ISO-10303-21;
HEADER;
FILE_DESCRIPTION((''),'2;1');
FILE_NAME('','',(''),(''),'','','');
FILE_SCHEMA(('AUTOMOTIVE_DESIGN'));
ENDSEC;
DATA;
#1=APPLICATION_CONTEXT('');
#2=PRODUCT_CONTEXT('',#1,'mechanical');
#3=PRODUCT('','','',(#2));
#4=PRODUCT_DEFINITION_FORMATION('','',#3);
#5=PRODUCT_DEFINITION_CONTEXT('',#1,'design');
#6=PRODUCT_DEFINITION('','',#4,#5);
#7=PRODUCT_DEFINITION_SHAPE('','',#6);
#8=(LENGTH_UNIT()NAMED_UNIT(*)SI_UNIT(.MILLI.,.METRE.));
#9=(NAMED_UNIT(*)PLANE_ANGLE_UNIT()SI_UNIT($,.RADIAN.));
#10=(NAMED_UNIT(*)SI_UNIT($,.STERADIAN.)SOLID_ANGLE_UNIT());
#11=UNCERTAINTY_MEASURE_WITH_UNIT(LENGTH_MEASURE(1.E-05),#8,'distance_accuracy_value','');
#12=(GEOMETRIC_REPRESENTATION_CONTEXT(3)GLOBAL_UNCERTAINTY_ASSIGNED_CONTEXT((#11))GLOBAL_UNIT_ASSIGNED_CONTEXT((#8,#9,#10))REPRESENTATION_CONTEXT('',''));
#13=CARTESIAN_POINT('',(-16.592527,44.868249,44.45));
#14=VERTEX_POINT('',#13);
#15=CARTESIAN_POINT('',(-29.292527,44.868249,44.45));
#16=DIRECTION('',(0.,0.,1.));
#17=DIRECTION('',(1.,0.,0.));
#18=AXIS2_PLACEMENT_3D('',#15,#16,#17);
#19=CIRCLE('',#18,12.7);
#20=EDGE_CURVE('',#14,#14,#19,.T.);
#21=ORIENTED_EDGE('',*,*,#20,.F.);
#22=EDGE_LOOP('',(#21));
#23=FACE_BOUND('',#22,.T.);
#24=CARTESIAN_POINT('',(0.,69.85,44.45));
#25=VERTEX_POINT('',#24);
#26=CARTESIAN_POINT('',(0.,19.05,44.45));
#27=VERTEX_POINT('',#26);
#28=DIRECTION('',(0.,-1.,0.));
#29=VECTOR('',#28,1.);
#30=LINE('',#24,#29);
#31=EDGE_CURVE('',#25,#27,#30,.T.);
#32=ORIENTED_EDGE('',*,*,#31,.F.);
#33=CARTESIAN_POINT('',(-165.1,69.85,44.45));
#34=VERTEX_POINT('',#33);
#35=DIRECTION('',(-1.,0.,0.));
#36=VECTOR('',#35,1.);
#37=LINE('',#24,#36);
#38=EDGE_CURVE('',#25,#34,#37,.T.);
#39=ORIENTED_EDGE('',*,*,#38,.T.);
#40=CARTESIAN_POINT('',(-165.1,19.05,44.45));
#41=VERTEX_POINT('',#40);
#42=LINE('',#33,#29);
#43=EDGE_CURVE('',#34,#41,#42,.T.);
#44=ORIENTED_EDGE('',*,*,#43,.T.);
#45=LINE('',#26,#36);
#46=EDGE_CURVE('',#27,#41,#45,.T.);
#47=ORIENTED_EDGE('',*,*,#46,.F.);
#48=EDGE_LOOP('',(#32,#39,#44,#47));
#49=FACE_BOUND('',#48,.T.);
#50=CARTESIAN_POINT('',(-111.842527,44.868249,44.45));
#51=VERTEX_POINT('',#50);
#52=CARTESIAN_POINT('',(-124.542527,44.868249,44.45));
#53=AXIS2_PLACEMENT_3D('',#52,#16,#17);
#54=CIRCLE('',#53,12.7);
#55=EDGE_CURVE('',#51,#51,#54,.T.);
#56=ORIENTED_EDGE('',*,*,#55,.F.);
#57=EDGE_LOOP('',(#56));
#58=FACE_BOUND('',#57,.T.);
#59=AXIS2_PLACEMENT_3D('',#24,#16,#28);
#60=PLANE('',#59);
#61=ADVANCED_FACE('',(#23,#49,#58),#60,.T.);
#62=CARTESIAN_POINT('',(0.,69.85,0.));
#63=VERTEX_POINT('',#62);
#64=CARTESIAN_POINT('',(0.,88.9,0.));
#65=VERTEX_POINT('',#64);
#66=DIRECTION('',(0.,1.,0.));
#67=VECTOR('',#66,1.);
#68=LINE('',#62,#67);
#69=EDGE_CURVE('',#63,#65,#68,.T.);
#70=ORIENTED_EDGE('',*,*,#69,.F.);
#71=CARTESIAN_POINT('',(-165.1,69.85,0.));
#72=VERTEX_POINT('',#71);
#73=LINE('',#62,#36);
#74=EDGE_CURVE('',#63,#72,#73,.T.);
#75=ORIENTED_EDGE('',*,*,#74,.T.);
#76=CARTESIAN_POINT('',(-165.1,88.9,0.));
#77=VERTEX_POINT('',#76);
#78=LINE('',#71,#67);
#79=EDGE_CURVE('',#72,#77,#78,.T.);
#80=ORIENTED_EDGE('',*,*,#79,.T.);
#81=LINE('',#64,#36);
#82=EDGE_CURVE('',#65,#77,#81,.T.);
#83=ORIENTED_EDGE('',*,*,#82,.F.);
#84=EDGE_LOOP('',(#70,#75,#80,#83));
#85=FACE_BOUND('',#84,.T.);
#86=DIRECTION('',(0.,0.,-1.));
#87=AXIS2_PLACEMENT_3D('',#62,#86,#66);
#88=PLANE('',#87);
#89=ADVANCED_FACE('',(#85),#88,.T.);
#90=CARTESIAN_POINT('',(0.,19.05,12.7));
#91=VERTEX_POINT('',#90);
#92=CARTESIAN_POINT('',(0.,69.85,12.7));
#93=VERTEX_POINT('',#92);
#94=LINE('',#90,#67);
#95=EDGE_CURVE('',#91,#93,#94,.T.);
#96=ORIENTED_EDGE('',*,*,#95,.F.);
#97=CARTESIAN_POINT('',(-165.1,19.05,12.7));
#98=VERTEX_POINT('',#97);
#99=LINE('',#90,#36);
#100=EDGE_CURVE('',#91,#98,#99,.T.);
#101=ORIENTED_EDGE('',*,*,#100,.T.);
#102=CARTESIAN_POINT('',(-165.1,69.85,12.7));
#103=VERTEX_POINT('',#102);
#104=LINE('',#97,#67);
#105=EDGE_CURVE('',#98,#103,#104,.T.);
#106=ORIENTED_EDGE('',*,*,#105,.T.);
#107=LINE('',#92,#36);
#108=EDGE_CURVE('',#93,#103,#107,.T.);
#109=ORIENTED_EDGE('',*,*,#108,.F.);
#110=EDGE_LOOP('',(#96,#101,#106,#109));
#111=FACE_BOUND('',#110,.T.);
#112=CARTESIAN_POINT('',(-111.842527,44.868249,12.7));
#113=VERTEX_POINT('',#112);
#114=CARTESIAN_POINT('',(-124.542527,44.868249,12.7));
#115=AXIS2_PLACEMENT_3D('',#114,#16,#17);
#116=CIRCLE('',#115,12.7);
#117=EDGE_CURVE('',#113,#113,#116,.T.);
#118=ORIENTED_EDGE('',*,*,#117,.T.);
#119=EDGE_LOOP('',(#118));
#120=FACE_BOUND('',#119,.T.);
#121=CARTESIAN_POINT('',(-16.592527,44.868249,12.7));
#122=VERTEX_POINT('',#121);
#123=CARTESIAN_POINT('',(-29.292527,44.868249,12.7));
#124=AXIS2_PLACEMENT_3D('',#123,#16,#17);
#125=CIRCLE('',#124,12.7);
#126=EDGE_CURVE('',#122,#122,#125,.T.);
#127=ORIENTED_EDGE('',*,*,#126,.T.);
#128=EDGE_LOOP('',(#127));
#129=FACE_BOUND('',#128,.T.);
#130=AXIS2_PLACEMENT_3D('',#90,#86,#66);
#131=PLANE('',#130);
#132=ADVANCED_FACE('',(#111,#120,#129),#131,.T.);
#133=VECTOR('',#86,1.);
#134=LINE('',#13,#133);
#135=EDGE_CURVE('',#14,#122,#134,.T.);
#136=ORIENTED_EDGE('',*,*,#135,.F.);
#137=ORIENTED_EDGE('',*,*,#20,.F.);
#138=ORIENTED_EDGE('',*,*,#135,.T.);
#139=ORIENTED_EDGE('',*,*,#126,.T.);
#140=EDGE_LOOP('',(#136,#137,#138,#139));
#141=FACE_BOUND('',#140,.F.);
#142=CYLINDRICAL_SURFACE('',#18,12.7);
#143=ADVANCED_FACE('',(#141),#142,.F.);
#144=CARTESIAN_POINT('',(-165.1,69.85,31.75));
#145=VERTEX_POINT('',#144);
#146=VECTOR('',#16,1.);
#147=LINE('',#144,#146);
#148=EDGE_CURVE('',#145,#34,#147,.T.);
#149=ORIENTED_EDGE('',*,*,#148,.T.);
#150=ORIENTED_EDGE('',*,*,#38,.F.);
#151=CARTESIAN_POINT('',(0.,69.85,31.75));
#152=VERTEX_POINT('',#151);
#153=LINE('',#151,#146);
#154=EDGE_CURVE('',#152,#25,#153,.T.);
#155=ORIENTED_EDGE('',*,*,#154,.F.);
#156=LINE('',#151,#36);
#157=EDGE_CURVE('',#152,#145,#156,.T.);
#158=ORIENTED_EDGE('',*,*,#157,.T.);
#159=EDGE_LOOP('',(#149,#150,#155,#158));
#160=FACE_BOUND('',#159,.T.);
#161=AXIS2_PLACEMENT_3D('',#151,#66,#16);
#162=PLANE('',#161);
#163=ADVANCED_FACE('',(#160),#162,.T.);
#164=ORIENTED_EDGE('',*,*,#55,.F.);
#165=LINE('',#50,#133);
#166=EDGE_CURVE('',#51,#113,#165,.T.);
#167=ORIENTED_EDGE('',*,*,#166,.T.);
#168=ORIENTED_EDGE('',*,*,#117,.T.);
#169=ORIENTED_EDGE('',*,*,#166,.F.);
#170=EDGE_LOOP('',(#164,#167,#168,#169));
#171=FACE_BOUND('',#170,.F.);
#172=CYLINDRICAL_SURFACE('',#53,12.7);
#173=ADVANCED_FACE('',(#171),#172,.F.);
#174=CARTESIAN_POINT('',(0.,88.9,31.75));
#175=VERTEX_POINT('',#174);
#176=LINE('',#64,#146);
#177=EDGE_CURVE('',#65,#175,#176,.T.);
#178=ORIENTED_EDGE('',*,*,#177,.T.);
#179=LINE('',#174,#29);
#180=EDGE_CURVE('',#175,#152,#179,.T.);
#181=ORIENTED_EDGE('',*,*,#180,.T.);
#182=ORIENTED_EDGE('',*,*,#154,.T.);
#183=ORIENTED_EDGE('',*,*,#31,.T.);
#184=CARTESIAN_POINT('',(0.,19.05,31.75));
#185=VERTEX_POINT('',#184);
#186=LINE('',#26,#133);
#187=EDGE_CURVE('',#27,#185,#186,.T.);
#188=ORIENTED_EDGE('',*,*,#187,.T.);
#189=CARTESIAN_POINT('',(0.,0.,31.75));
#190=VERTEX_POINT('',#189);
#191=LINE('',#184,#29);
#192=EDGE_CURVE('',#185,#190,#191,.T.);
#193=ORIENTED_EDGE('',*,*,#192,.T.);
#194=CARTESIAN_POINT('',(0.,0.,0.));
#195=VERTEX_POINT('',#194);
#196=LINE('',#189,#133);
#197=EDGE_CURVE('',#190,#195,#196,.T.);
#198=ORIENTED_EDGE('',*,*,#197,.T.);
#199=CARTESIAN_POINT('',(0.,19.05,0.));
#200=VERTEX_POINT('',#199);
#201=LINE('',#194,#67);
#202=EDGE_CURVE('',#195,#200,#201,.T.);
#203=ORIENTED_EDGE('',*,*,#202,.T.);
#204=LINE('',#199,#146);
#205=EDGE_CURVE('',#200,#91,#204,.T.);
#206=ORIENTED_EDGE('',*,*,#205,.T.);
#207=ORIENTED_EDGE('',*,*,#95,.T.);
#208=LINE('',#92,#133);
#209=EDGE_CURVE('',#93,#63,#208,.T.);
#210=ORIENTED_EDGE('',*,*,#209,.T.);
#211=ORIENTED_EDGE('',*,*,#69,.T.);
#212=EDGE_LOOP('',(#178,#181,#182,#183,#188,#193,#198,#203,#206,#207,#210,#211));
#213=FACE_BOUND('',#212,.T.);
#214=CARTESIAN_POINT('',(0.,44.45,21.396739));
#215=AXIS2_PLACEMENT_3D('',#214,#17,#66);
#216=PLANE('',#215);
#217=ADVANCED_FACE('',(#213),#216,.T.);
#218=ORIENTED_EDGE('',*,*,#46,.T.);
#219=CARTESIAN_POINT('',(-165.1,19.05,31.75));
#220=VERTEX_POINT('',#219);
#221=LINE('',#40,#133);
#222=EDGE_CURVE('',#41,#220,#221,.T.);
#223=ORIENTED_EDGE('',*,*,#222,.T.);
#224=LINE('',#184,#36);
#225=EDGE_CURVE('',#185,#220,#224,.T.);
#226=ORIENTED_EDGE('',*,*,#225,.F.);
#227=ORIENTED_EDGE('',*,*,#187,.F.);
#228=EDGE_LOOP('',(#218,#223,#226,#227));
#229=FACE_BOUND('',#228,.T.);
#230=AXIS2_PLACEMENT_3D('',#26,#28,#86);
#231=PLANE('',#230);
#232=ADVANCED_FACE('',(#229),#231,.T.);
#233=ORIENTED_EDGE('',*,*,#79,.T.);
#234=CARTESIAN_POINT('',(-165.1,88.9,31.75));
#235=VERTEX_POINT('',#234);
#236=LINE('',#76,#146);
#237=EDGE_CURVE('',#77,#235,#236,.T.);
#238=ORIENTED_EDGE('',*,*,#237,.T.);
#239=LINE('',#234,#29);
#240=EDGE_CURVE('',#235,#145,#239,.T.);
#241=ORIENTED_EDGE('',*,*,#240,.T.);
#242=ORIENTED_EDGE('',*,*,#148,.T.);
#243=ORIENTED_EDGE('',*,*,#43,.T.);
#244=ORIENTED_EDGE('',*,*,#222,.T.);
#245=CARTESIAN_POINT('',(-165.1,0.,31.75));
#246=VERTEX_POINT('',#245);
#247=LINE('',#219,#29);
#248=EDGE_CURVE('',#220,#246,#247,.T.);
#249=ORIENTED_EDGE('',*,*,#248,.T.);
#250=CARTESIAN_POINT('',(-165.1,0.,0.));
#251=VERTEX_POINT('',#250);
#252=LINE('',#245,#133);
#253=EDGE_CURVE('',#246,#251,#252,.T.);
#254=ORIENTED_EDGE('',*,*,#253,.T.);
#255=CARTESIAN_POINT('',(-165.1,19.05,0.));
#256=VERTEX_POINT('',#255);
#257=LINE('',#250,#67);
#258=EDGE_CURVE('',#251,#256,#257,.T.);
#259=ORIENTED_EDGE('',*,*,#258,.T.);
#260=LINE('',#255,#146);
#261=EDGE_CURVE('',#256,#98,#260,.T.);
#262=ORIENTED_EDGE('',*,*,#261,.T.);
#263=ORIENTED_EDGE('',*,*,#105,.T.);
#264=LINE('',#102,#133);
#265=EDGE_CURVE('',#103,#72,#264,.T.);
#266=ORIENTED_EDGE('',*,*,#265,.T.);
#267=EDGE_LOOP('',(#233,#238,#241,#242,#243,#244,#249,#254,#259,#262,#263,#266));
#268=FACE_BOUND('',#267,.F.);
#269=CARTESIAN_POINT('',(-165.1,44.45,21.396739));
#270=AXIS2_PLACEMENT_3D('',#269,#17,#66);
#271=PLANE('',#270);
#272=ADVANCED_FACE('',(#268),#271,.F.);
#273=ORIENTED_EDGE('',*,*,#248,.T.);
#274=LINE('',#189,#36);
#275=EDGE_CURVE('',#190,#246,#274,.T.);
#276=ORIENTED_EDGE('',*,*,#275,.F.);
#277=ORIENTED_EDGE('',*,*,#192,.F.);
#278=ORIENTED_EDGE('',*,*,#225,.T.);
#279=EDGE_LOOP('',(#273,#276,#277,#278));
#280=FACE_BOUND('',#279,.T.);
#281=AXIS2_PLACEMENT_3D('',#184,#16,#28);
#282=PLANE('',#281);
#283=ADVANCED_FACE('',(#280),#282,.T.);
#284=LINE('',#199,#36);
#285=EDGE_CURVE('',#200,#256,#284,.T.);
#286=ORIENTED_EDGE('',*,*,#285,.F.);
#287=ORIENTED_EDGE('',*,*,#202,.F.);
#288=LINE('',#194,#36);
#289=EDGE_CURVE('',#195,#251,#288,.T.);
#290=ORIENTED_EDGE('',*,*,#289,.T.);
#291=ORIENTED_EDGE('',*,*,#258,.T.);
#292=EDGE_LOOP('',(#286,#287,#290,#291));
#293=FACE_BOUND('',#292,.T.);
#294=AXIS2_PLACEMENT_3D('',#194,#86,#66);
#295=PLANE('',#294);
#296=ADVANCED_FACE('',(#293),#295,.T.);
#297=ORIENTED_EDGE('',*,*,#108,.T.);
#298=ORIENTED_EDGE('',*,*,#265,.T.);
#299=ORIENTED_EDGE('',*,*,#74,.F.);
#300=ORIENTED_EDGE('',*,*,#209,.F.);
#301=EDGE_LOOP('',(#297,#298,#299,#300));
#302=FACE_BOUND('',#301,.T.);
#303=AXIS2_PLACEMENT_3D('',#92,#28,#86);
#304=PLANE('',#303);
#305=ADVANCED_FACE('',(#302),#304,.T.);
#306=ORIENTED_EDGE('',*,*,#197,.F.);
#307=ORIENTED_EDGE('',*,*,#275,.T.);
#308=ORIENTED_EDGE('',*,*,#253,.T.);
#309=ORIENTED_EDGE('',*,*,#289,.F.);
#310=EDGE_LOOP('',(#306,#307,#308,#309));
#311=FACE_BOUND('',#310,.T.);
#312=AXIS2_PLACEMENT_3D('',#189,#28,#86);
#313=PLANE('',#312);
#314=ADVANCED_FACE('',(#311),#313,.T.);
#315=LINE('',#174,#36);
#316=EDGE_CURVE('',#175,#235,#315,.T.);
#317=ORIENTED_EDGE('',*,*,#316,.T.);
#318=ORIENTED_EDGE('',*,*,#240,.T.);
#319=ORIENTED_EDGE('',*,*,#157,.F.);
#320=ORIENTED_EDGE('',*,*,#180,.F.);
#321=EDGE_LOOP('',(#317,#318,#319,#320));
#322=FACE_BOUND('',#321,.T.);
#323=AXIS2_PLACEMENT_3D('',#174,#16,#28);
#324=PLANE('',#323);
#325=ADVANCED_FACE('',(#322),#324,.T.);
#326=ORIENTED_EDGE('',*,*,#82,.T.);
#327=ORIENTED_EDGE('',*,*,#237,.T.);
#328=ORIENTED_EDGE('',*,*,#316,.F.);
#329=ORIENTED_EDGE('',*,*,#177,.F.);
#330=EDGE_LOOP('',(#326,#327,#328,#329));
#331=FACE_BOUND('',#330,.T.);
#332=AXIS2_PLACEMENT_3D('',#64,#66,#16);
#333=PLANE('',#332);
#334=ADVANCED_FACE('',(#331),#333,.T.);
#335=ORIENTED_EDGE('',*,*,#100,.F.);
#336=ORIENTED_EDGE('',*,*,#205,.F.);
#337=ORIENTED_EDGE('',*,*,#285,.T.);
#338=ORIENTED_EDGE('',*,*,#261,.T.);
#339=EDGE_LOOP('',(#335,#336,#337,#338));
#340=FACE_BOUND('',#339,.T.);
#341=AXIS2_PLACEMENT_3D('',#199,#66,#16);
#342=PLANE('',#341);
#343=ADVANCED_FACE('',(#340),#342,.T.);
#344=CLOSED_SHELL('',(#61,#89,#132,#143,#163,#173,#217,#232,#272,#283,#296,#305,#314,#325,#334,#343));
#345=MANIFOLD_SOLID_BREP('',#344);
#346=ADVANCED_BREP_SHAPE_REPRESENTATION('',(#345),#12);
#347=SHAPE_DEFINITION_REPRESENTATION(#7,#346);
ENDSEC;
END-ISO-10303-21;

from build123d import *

# Parameters (mm, degrees)
F1_DEPTH = 165.1
F3_R     = 12.7
F4_DEPTH = 101.6


with BuildPart() as f1:
    # F0 (on Right) → F1 (new body)
    with BuildSketch(Plane.YZ):
        Polygon((0, 31.75), (0, 0), (19.05, 0), (19.05, 12.7), (69.85, 12.7), (69.85, 0), (88.9, 0), (88.9, 31.75), (69.85, 31.75), (69.85, 44.45), (19.05, 44.45), (19.05, 31.75), align=None)
    extrude(amount=-F1_DEPTH)

    # F3 (on face) → F4 (cut)
    with BuildSketch(Plane.XY.offset(44.45)):
        with Locations((-29.292527, 44.868249)):
            Circle(F3_R)
        with Locations((-124.542527, 44.868249)):
            Circle(F3_R)
    extrude(amount=-F4_DEPTH, mode=Mode.SUBTRACT)


solid = f1.part
